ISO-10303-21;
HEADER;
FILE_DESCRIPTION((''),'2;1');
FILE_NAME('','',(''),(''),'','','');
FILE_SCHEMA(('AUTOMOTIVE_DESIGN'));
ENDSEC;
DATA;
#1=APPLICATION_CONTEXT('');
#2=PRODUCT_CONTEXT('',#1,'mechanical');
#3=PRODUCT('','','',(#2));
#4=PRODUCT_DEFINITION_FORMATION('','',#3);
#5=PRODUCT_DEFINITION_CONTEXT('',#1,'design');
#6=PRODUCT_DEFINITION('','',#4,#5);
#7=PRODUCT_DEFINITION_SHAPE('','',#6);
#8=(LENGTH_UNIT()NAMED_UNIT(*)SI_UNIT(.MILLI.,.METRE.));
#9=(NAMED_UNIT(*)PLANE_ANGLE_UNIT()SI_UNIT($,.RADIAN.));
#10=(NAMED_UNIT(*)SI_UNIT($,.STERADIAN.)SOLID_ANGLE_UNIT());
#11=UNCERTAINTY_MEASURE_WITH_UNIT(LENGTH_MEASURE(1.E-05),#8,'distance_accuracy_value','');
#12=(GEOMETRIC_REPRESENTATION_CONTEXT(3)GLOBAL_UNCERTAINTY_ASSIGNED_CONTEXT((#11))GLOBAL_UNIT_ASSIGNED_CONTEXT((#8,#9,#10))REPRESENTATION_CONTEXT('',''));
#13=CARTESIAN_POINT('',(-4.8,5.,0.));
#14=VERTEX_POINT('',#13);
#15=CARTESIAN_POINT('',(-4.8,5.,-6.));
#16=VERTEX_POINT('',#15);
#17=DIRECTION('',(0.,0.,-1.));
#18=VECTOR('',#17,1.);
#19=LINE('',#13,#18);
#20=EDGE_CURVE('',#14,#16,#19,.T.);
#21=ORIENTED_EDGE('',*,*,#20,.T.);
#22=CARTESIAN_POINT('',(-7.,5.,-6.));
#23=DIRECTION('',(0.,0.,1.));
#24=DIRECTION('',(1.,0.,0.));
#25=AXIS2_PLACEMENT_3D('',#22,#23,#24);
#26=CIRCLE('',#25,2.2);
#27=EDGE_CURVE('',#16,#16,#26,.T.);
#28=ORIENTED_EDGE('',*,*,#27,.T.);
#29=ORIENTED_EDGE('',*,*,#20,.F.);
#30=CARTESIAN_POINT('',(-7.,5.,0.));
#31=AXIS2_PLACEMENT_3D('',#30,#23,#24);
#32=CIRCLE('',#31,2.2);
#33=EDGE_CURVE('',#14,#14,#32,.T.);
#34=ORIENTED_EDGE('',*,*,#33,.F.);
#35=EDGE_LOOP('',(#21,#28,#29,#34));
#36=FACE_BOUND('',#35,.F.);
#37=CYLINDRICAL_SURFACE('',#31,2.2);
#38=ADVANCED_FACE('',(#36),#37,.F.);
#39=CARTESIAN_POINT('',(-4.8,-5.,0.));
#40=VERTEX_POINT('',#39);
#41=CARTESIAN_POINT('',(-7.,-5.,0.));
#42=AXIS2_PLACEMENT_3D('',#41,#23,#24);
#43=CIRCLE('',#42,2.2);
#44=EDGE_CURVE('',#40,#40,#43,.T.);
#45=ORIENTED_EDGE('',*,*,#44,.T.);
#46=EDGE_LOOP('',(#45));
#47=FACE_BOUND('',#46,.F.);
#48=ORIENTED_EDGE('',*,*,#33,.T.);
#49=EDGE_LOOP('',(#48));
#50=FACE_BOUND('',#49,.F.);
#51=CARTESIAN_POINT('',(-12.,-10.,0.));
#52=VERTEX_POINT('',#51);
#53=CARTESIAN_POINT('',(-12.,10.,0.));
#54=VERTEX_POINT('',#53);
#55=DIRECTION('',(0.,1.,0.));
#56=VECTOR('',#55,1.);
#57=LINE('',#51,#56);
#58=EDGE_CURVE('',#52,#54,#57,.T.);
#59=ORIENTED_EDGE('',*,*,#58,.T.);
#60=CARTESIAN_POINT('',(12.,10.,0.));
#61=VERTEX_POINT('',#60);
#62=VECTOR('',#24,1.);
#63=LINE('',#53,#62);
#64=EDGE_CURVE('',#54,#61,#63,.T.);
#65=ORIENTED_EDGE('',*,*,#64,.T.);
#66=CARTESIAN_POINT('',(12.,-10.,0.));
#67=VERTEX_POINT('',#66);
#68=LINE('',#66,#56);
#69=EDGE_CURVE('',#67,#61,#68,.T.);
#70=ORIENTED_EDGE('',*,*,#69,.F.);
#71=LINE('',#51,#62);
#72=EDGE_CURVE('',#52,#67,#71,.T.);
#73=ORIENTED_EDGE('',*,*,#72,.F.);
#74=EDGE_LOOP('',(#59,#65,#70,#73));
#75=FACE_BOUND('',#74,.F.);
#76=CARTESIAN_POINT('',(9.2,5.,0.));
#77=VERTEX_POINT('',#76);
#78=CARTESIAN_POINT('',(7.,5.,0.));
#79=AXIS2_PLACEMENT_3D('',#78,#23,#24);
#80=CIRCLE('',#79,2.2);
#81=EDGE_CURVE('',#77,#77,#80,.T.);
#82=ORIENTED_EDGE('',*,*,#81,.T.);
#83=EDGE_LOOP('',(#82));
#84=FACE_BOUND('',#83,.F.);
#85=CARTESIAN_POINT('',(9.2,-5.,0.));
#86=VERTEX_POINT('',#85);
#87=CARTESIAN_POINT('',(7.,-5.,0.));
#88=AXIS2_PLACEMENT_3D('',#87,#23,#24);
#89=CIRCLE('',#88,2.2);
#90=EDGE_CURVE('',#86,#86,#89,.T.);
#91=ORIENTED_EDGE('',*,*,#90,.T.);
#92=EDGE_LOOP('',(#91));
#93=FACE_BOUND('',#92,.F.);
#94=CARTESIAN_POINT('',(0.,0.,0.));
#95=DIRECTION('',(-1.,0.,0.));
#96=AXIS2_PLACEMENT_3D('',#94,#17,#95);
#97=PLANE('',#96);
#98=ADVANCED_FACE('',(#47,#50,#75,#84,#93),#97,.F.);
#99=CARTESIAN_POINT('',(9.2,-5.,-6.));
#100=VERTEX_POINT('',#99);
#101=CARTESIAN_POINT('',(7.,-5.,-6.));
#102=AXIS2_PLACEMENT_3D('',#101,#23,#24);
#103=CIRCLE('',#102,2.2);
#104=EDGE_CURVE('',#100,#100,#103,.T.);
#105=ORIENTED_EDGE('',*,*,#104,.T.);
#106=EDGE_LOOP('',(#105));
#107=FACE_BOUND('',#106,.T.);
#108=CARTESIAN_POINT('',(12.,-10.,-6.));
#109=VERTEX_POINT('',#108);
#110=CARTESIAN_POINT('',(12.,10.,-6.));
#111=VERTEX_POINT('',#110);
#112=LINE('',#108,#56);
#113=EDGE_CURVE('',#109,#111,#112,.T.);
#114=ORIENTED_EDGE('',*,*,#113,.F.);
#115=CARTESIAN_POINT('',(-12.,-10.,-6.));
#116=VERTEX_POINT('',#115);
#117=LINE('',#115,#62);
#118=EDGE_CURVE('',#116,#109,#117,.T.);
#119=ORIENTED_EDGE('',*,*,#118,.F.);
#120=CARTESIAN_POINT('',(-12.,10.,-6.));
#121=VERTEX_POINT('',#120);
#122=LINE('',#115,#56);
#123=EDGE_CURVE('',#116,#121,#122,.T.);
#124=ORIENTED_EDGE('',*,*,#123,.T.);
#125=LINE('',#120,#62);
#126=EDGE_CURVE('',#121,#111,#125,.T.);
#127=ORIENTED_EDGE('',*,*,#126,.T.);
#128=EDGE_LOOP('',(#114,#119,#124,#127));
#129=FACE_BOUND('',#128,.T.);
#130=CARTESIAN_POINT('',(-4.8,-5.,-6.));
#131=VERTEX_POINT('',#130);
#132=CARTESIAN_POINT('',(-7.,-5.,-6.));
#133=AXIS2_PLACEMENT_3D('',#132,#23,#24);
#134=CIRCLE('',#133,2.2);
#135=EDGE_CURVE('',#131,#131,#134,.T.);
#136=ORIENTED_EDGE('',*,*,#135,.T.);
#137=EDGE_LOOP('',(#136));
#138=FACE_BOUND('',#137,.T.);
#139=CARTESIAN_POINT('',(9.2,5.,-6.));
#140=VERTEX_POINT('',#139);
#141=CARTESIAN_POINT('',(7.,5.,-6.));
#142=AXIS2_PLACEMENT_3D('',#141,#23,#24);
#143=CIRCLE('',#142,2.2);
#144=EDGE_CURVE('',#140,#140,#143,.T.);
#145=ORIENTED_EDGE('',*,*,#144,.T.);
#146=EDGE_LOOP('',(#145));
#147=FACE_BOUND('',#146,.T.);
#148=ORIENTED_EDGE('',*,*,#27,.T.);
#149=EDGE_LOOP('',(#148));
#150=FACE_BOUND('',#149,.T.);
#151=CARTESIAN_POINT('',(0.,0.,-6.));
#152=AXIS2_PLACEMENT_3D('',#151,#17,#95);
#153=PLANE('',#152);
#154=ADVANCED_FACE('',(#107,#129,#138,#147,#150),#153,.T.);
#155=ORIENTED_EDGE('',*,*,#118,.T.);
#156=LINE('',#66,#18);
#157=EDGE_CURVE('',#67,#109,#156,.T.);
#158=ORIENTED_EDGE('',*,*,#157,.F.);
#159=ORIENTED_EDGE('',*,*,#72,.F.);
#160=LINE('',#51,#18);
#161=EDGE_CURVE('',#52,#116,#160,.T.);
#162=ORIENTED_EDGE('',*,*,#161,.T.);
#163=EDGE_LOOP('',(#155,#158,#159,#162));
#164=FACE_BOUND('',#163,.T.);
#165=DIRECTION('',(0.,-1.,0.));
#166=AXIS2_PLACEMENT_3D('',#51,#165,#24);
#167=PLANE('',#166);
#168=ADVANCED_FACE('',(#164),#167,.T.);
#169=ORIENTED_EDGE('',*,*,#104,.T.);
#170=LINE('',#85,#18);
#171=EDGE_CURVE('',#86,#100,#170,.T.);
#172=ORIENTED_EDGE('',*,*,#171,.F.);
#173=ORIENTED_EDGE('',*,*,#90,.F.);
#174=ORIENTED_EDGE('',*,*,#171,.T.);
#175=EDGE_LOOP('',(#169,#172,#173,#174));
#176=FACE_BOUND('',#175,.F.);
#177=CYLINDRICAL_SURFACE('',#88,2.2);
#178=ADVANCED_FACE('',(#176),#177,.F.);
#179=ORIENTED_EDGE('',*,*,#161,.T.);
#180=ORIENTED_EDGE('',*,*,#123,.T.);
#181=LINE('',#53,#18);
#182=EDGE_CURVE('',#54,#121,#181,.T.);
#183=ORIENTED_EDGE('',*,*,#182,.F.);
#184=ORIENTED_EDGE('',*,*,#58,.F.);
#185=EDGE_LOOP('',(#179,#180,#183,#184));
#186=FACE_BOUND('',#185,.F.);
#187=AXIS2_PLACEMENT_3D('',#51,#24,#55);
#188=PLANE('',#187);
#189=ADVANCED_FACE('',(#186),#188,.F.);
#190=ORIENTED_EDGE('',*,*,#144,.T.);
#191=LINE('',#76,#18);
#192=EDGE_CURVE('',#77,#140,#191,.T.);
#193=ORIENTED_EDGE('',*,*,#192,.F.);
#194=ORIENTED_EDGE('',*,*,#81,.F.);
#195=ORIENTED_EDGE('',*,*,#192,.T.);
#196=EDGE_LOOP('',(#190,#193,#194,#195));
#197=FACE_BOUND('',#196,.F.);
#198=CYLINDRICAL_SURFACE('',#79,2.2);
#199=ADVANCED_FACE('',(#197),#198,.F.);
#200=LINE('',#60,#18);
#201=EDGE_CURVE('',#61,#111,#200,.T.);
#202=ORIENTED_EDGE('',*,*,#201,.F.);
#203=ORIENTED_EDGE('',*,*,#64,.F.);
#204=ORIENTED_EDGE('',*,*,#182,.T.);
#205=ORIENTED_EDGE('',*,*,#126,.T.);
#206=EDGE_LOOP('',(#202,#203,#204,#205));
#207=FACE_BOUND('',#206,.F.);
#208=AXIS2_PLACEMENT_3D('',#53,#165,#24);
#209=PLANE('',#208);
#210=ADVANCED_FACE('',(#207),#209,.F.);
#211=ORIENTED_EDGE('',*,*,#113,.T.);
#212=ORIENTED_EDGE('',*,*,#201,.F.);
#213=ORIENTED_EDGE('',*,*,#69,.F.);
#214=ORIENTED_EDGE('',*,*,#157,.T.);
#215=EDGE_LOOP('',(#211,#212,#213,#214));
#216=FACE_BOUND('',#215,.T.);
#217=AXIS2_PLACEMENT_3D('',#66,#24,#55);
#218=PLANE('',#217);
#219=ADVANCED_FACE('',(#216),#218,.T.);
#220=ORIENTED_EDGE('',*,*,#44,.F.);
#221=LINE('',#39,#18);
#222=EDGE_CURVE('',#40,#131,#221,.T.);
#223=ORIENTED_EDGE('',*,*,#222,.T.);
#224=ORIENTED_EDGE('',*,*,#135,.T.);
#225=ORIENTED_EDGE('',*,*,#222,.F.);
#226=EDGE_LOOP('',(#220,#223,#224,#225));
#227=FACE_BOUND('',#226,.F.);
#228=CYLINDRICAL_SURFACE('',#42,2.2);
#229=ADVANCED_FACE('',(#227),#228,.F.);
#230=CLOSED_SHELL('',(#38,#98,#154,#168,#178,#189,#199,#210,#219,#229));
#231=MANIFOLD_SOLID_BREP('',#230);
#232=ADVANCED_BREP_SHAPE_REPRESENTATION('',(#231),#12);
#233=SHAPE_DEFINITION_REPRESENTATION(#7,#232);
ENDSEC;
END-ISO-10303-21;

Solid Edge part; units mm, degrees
sketch "Sketch1" plane through (0, 0, 0) normal (0, 0, 1) x (1, 0, 0)
  line L0 (-12, 10) -> (12, 10)
  line L1 (12, -10) -> (12, 10)
  line L2 (-12, -10) -> (12, -10)
  line L3 (-12, -10) -> (-12, 10)
  circle A0 centre (-7, 5) radius 2.2
  circle A1 centre (-7, -5) radius 2.2
  circle A2 centre (7, -5) radius 2.2
  circle A3 centre (7, 5) radius 2.2
extrude "Protrusion1" add sketch "Sketch1" against normal blind 6
